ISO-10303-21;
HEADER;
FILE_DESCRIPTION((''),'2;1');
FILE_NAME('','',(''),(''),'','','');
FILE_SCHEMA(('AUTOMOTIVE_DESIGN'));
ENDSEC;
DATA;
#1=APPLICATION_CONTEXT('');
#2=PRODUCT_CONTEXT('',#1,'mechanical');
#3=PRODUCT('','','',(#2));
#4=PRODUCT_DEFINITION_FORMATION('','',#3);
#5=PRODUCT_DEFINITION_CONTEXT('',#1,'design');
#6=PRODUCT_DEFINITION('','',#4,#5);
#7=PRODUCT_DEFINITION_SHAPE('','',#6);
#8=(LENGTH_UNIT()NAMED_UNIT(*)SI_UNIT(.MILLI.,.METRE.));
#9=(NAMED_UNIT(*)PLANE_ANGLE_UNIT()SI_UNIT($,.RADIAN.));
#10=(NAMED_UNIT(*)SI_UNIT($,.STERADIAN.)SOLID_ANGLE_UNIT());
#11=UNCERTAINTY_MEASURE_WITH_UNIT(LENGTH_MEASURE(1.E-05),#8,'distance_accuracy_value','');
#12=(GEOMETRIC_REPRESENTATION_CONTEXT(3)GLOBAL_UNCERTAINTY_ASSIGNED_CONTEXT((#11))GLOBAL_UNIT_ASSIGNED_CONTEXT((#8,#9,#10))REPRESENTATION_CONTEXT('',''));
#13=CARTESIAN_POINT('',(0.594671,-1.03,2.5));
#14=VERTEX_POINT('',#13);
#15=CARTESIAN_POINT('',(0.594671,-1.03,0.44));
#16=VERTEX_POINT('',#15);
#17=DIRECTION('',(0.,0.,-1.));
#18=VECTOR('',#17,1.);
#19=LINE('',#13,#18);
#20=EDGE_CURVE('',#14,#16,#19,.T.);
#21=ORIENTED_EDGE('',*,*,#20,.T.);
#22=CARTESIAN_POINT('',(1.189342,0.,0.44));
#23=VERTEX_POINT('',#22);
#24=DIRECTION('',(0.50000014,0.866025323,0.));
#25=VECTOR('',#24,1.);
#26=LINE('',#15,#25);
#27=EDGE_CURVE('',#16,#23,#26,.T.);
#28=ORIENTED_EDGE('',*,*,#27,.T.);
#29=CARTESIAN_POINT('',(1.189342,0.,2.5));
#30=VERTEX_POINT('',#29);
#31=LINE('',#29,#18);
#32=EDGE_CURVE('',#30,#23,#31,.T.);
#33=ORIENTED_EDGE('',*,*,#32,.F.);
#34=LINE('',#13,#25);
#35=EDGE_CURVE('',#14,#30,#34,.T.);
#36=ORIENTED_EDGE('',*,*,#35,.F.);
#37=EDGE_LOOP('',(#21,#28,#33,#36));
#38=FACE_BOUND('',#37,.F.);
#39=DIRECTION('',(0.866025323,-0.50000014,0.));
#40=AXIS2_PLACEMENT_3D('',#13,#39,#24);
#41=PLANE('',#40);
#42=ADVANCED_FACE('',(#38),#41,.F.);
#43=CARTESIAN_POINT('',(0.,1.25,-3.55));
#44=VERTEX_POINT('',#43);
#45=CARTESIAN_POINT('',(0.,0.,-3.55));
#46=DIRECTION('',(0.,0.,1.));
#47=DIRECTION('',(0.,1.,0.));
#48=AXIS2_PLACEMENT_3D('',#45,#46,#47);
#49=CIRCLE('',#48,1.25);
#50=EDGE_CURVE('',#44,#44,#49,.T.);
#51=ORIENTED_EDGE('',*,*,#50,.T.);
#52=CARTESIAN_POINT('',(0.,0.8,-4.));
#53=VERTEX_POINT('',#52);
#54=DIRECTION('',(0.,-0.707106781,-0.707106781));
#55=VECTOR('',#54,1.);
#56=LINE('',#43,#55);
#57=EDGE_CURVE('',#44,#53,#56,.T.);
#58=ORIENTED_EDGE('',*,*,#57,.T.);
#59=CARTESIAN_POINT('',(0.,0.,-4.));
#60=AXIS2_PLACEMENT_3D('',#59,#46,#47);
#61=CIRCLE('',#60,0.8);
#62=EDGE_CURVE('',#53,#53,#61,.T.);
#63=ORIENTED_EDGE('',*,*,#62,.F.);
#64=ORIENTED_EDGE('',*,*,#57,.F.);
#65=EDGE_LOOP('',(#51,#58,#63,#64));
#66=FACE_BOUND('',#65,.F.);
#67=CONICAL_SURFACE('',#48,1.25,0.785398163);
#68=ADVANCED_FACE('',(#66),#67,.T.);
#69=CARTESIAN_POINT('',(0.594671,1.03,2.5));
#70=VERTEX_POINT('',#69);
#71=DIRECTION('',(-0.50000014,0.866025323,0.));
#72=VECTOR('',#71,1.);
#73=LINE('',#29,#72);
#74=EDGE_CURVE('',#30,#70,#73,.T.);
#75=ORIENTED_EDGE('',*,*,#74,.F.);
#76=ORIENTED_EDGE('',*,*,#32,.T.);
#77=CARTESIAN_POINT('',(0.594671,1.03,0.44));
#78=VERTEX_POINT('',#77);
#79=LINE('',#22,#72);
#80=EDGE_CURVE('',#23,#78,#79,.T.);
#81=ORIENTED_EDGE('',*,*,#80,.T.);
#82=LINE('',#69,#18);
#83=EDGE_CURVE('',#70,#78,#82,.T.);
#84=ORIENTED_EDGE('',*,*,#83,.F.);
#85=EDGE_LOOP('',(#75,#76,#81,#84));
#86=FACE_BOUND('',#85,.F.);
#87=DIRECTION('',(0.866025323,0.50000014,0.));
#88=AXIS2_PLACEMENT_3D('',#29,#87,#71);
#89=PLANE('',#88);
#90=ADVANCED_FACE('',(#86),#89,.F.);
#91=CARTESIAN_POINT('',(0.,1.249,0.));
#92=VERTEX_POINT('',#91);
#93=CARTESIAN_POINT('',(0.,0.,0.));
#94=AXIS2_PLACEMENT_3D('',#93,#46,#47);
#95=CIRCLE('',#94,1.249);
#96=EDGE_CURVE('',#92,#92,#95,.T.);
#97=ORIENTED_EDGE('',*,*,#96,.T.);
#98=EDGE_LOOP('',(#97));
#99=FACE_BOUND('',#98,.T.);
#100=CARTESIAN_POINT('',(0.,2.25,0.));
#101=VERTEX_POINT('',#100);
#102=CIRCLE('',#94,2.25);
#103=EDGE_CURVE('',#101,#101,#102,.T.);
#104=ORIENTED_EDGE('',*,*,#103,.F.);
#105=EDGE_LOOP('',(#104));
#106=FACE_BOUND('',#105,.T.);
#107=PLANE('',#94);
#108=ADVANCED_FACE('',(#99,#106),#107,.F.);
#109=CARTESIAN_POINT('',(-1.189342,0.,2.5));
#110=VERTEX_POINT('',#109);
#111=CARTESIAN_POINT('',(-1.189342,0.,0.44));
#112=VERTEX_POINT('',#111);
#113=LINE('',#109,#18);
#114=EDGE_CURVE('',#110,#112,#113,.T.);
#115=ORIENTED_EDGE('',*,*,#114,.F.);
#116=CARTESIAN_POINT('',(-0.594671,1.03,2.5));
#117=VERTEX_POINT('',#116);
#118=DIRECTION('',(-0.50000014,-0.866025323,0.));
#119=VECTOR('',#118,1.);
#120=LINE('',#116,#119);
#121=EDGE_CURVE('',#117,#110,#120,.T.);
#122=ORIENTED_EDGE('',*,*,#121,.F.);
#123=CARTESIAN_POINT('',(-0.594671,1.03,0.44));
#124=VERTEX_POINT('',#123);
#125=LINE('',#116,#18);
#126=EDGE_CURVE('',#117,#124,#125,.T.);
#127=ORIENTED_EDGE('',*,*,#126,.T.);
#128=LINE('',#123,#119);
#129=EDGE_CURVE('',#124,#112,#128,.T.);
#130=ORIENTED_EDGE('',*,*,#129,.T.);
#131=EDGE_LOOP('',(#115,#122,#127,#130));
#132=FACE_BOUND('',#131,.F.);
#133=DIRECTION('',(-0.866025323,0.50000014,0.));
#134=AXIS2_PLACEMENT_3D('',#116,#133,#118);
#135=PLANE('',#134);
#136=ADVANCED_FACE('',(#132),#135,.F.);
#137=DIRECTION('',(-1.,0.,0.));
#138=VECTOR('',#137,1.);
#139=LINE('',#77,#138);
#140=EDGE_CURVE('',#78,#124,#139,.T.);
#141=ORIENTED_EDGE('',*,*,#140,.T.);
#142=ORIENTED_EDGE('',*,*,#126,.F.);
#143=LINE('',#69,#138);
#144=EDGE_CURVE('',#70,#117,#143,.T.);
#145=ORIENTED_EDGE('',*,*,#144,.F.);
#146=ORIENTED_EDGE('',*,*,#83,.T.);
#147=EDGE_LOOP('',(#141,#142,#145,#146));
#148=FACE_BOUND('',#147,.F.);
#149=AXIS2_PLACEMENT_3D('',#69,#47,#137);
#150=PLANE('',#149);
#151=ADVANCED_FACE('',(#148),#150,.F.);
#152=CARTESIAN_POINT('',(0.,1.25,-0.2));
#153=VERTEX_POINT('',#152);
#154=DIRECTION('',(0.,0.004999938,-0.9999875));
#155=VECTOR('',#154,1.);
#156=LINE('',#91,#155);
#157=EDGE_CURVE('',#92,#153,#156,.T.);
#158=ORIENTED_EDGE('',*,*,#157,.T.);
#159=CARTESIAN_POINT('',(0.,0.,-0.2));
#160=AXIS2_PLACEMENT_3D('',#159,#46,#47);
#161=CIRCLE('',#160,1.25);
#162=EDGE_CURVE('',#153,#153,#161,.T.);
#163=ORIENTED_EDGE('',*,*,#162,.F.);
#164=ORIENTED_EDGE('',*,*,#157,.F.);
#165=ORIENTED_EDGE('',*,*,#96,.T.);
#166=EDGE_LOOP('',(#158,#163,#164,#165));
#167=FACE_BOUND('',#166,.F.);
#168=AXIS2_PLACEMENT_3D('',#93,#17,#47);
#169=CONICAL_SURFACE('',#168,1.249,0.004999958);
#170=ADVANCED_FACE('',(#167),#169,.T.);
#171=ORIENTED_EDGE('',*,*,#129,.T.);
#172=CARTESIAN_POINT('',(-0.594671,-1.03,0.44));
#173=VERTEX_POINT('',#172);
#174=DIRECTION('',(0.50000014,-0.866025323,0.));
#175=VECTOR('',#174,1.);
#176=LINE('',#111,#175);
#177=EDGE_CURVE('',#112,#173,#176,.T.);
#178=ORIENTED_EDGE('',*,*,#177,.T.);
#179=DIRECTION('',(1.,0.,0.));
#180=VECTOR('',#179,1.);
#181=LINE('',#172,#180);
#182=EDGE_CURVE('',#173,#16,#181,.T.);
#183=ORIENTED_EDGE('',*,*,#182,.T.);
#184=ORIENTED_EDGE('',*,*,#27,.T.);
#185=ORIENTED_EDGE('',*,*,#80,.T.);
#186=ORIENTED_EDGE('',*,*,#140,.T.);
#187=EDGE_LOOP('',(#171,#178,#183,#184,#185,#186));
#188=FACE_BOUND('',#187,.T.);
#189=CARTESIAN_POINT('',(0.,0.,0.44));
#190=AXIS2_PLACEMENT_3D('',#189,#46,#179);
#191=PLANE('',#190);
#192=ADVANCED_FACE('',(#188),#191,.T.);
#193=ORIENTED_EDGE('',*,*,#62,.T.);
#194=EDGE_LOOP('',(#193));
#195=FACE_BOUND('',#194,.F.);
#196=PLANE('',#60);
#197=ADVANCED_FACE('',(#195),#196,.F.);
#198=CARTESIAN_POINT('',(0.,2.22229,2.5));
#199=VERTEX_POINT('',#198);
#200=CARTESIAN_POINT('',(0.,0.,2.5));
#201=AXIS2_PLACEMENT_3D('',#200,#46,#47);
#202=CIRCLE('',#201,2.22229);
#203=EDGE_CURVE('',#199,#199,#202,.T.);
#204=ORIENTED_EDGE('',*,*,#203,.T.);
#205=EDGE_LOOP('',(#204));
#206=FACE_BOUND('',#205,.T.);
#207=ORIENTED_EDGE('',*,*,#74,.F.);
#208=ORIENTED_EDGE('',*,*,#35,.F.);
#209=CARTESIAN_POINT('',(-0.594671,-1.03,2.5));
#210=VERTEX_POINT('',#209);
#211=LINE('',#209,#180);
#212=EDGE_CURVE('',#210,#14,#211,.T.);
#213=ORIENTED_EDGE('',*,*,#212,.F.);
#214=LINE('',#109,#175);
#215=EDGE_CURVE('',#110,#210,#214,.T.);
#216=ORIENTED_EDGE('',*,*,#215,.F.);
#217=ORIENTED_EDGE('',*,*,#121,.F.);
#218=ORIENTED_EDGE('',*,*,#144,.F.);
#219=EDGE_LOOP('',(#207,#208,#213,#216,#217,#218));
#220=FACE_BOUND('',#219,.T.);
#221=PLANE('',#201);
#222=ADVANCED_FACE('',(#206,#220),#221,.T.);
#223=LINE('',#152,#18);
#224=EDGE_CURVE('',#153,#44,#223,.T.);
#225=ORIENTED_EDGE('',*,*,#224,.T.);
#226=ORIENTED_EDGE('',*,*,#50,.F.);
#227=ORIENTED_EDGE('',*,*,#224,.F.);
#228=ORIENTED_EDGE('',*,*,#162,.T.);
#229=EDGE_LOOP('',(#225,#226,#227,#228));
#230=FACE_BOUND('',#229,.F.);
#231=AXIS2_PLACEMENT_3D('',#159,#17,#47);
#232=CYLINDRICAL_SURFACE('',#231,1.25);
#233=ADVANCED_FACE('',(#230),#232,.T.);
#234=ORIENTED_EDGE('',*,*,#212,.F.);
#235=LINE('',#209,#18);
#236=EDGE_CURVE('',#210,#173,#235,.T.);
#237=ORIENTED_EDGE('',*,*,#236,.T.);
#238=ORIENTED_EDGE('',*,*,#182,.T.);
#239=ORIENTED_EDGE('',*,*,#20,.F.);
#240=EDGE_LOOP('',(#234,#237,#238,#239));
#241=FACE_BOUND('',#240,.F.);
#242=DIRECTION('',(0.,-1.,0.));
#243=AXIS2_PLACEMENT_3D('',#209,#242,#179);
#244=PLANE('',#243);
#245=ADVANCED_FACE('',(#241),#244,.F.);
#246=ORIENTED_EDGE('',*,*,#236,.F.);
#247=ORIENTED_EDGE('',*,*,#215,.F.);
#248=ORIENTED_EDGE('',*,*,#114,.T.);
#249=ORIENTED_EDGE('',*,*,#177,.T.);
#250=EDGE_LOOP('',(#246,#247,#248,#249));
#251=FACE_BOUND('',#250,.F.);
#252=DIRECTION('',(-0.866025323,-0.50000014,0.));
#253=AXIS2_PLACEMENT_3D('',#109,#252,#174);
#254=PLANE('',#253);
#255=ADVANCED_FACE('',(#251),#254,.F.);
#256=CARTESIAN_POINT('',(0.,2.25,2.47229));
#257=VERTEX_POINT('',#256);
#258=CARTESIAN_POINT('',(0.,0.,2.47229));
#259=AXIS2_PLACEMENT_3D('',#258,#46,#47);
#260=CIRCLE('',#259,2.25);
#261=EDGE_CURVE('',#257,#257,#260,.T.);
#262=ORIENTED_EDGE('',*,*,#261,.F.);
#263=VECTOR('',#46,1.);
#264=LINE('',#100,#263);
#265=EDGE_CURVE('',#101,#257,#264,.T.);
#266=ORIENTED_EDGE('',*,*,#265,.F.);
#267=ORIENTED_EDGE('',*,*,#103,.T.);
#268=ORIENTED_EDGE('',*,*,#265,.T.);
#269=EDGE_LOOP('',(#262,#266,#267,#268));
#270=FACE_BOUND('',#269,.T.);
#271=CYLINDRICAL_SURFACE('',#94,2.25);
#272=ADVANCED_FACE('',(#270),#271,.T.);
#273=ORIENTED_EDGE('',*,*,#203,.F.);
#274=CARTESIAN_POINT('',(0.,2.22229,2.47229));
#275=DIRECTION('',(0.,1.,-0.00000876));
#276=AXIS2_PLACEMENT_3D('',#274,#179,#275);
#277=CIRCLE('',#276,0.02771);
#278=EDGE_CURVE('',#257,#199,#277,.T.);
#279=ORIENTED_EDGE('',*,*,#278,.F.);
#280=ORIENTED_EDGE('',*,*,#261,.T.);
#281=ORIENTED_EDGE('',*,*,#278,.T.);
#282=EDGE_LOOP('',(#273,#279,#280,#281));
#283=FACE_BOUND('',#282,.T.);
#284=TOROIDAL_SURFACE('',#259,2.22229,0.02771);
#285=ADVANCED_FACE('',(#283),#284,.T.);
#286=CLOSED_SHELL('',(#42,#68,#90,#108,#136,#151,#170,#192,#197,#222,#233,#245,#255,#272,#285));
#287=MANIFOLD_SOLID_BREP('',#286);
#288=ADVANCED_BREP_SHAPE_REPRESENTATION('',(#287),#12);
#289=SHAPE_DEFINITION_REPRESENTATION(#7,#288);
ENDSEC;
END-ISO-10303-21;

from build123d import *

# Parameters (mm, degrees)
POCKET_DEPTH = 2.06


with BuildPart() as part:
    # Sketch → Revolve (revolve)
    with BuildSketch(Plane.YZ):
        with BuildLine():
            Line((1.249, 0), (2.25, 0))
            Line((2.25, 0), (2.25, 2.47229))
            ThreePointArc((2.25, 2.47229), (2.241884, 2.491884), (2.22229, 2.5))
            Line((2.22229, 2.5), (0, 2.5))
            Line((0, -4), (0, 2.5))
            Line((0.8, -4), (0, -4))
            Line((1.25, -3.55), (0.8, -4))
            Line((1.25, -0.2), (1.25, -3.55))
            Line((1.249, 0), (1.25, -0.2))
        make_face()
    revolve(axis=Axis((0, 0, 0), (0, 0, 1)))

    # Sketch001 → Pocket (cut)
    with BuildSketch(Plane.XY.offset(2.5)):
        Polygon((1.189342, 0), (0.594671, 1.03), (-0.594671, 1.03), (-1.189342, 0), (-0.594671, -1.03), (0.594671, -1.03), align=None)
    extrude(amount=-POCKET_DEPTH, mode=Mode.SUBTRACT)


solid = part.part
